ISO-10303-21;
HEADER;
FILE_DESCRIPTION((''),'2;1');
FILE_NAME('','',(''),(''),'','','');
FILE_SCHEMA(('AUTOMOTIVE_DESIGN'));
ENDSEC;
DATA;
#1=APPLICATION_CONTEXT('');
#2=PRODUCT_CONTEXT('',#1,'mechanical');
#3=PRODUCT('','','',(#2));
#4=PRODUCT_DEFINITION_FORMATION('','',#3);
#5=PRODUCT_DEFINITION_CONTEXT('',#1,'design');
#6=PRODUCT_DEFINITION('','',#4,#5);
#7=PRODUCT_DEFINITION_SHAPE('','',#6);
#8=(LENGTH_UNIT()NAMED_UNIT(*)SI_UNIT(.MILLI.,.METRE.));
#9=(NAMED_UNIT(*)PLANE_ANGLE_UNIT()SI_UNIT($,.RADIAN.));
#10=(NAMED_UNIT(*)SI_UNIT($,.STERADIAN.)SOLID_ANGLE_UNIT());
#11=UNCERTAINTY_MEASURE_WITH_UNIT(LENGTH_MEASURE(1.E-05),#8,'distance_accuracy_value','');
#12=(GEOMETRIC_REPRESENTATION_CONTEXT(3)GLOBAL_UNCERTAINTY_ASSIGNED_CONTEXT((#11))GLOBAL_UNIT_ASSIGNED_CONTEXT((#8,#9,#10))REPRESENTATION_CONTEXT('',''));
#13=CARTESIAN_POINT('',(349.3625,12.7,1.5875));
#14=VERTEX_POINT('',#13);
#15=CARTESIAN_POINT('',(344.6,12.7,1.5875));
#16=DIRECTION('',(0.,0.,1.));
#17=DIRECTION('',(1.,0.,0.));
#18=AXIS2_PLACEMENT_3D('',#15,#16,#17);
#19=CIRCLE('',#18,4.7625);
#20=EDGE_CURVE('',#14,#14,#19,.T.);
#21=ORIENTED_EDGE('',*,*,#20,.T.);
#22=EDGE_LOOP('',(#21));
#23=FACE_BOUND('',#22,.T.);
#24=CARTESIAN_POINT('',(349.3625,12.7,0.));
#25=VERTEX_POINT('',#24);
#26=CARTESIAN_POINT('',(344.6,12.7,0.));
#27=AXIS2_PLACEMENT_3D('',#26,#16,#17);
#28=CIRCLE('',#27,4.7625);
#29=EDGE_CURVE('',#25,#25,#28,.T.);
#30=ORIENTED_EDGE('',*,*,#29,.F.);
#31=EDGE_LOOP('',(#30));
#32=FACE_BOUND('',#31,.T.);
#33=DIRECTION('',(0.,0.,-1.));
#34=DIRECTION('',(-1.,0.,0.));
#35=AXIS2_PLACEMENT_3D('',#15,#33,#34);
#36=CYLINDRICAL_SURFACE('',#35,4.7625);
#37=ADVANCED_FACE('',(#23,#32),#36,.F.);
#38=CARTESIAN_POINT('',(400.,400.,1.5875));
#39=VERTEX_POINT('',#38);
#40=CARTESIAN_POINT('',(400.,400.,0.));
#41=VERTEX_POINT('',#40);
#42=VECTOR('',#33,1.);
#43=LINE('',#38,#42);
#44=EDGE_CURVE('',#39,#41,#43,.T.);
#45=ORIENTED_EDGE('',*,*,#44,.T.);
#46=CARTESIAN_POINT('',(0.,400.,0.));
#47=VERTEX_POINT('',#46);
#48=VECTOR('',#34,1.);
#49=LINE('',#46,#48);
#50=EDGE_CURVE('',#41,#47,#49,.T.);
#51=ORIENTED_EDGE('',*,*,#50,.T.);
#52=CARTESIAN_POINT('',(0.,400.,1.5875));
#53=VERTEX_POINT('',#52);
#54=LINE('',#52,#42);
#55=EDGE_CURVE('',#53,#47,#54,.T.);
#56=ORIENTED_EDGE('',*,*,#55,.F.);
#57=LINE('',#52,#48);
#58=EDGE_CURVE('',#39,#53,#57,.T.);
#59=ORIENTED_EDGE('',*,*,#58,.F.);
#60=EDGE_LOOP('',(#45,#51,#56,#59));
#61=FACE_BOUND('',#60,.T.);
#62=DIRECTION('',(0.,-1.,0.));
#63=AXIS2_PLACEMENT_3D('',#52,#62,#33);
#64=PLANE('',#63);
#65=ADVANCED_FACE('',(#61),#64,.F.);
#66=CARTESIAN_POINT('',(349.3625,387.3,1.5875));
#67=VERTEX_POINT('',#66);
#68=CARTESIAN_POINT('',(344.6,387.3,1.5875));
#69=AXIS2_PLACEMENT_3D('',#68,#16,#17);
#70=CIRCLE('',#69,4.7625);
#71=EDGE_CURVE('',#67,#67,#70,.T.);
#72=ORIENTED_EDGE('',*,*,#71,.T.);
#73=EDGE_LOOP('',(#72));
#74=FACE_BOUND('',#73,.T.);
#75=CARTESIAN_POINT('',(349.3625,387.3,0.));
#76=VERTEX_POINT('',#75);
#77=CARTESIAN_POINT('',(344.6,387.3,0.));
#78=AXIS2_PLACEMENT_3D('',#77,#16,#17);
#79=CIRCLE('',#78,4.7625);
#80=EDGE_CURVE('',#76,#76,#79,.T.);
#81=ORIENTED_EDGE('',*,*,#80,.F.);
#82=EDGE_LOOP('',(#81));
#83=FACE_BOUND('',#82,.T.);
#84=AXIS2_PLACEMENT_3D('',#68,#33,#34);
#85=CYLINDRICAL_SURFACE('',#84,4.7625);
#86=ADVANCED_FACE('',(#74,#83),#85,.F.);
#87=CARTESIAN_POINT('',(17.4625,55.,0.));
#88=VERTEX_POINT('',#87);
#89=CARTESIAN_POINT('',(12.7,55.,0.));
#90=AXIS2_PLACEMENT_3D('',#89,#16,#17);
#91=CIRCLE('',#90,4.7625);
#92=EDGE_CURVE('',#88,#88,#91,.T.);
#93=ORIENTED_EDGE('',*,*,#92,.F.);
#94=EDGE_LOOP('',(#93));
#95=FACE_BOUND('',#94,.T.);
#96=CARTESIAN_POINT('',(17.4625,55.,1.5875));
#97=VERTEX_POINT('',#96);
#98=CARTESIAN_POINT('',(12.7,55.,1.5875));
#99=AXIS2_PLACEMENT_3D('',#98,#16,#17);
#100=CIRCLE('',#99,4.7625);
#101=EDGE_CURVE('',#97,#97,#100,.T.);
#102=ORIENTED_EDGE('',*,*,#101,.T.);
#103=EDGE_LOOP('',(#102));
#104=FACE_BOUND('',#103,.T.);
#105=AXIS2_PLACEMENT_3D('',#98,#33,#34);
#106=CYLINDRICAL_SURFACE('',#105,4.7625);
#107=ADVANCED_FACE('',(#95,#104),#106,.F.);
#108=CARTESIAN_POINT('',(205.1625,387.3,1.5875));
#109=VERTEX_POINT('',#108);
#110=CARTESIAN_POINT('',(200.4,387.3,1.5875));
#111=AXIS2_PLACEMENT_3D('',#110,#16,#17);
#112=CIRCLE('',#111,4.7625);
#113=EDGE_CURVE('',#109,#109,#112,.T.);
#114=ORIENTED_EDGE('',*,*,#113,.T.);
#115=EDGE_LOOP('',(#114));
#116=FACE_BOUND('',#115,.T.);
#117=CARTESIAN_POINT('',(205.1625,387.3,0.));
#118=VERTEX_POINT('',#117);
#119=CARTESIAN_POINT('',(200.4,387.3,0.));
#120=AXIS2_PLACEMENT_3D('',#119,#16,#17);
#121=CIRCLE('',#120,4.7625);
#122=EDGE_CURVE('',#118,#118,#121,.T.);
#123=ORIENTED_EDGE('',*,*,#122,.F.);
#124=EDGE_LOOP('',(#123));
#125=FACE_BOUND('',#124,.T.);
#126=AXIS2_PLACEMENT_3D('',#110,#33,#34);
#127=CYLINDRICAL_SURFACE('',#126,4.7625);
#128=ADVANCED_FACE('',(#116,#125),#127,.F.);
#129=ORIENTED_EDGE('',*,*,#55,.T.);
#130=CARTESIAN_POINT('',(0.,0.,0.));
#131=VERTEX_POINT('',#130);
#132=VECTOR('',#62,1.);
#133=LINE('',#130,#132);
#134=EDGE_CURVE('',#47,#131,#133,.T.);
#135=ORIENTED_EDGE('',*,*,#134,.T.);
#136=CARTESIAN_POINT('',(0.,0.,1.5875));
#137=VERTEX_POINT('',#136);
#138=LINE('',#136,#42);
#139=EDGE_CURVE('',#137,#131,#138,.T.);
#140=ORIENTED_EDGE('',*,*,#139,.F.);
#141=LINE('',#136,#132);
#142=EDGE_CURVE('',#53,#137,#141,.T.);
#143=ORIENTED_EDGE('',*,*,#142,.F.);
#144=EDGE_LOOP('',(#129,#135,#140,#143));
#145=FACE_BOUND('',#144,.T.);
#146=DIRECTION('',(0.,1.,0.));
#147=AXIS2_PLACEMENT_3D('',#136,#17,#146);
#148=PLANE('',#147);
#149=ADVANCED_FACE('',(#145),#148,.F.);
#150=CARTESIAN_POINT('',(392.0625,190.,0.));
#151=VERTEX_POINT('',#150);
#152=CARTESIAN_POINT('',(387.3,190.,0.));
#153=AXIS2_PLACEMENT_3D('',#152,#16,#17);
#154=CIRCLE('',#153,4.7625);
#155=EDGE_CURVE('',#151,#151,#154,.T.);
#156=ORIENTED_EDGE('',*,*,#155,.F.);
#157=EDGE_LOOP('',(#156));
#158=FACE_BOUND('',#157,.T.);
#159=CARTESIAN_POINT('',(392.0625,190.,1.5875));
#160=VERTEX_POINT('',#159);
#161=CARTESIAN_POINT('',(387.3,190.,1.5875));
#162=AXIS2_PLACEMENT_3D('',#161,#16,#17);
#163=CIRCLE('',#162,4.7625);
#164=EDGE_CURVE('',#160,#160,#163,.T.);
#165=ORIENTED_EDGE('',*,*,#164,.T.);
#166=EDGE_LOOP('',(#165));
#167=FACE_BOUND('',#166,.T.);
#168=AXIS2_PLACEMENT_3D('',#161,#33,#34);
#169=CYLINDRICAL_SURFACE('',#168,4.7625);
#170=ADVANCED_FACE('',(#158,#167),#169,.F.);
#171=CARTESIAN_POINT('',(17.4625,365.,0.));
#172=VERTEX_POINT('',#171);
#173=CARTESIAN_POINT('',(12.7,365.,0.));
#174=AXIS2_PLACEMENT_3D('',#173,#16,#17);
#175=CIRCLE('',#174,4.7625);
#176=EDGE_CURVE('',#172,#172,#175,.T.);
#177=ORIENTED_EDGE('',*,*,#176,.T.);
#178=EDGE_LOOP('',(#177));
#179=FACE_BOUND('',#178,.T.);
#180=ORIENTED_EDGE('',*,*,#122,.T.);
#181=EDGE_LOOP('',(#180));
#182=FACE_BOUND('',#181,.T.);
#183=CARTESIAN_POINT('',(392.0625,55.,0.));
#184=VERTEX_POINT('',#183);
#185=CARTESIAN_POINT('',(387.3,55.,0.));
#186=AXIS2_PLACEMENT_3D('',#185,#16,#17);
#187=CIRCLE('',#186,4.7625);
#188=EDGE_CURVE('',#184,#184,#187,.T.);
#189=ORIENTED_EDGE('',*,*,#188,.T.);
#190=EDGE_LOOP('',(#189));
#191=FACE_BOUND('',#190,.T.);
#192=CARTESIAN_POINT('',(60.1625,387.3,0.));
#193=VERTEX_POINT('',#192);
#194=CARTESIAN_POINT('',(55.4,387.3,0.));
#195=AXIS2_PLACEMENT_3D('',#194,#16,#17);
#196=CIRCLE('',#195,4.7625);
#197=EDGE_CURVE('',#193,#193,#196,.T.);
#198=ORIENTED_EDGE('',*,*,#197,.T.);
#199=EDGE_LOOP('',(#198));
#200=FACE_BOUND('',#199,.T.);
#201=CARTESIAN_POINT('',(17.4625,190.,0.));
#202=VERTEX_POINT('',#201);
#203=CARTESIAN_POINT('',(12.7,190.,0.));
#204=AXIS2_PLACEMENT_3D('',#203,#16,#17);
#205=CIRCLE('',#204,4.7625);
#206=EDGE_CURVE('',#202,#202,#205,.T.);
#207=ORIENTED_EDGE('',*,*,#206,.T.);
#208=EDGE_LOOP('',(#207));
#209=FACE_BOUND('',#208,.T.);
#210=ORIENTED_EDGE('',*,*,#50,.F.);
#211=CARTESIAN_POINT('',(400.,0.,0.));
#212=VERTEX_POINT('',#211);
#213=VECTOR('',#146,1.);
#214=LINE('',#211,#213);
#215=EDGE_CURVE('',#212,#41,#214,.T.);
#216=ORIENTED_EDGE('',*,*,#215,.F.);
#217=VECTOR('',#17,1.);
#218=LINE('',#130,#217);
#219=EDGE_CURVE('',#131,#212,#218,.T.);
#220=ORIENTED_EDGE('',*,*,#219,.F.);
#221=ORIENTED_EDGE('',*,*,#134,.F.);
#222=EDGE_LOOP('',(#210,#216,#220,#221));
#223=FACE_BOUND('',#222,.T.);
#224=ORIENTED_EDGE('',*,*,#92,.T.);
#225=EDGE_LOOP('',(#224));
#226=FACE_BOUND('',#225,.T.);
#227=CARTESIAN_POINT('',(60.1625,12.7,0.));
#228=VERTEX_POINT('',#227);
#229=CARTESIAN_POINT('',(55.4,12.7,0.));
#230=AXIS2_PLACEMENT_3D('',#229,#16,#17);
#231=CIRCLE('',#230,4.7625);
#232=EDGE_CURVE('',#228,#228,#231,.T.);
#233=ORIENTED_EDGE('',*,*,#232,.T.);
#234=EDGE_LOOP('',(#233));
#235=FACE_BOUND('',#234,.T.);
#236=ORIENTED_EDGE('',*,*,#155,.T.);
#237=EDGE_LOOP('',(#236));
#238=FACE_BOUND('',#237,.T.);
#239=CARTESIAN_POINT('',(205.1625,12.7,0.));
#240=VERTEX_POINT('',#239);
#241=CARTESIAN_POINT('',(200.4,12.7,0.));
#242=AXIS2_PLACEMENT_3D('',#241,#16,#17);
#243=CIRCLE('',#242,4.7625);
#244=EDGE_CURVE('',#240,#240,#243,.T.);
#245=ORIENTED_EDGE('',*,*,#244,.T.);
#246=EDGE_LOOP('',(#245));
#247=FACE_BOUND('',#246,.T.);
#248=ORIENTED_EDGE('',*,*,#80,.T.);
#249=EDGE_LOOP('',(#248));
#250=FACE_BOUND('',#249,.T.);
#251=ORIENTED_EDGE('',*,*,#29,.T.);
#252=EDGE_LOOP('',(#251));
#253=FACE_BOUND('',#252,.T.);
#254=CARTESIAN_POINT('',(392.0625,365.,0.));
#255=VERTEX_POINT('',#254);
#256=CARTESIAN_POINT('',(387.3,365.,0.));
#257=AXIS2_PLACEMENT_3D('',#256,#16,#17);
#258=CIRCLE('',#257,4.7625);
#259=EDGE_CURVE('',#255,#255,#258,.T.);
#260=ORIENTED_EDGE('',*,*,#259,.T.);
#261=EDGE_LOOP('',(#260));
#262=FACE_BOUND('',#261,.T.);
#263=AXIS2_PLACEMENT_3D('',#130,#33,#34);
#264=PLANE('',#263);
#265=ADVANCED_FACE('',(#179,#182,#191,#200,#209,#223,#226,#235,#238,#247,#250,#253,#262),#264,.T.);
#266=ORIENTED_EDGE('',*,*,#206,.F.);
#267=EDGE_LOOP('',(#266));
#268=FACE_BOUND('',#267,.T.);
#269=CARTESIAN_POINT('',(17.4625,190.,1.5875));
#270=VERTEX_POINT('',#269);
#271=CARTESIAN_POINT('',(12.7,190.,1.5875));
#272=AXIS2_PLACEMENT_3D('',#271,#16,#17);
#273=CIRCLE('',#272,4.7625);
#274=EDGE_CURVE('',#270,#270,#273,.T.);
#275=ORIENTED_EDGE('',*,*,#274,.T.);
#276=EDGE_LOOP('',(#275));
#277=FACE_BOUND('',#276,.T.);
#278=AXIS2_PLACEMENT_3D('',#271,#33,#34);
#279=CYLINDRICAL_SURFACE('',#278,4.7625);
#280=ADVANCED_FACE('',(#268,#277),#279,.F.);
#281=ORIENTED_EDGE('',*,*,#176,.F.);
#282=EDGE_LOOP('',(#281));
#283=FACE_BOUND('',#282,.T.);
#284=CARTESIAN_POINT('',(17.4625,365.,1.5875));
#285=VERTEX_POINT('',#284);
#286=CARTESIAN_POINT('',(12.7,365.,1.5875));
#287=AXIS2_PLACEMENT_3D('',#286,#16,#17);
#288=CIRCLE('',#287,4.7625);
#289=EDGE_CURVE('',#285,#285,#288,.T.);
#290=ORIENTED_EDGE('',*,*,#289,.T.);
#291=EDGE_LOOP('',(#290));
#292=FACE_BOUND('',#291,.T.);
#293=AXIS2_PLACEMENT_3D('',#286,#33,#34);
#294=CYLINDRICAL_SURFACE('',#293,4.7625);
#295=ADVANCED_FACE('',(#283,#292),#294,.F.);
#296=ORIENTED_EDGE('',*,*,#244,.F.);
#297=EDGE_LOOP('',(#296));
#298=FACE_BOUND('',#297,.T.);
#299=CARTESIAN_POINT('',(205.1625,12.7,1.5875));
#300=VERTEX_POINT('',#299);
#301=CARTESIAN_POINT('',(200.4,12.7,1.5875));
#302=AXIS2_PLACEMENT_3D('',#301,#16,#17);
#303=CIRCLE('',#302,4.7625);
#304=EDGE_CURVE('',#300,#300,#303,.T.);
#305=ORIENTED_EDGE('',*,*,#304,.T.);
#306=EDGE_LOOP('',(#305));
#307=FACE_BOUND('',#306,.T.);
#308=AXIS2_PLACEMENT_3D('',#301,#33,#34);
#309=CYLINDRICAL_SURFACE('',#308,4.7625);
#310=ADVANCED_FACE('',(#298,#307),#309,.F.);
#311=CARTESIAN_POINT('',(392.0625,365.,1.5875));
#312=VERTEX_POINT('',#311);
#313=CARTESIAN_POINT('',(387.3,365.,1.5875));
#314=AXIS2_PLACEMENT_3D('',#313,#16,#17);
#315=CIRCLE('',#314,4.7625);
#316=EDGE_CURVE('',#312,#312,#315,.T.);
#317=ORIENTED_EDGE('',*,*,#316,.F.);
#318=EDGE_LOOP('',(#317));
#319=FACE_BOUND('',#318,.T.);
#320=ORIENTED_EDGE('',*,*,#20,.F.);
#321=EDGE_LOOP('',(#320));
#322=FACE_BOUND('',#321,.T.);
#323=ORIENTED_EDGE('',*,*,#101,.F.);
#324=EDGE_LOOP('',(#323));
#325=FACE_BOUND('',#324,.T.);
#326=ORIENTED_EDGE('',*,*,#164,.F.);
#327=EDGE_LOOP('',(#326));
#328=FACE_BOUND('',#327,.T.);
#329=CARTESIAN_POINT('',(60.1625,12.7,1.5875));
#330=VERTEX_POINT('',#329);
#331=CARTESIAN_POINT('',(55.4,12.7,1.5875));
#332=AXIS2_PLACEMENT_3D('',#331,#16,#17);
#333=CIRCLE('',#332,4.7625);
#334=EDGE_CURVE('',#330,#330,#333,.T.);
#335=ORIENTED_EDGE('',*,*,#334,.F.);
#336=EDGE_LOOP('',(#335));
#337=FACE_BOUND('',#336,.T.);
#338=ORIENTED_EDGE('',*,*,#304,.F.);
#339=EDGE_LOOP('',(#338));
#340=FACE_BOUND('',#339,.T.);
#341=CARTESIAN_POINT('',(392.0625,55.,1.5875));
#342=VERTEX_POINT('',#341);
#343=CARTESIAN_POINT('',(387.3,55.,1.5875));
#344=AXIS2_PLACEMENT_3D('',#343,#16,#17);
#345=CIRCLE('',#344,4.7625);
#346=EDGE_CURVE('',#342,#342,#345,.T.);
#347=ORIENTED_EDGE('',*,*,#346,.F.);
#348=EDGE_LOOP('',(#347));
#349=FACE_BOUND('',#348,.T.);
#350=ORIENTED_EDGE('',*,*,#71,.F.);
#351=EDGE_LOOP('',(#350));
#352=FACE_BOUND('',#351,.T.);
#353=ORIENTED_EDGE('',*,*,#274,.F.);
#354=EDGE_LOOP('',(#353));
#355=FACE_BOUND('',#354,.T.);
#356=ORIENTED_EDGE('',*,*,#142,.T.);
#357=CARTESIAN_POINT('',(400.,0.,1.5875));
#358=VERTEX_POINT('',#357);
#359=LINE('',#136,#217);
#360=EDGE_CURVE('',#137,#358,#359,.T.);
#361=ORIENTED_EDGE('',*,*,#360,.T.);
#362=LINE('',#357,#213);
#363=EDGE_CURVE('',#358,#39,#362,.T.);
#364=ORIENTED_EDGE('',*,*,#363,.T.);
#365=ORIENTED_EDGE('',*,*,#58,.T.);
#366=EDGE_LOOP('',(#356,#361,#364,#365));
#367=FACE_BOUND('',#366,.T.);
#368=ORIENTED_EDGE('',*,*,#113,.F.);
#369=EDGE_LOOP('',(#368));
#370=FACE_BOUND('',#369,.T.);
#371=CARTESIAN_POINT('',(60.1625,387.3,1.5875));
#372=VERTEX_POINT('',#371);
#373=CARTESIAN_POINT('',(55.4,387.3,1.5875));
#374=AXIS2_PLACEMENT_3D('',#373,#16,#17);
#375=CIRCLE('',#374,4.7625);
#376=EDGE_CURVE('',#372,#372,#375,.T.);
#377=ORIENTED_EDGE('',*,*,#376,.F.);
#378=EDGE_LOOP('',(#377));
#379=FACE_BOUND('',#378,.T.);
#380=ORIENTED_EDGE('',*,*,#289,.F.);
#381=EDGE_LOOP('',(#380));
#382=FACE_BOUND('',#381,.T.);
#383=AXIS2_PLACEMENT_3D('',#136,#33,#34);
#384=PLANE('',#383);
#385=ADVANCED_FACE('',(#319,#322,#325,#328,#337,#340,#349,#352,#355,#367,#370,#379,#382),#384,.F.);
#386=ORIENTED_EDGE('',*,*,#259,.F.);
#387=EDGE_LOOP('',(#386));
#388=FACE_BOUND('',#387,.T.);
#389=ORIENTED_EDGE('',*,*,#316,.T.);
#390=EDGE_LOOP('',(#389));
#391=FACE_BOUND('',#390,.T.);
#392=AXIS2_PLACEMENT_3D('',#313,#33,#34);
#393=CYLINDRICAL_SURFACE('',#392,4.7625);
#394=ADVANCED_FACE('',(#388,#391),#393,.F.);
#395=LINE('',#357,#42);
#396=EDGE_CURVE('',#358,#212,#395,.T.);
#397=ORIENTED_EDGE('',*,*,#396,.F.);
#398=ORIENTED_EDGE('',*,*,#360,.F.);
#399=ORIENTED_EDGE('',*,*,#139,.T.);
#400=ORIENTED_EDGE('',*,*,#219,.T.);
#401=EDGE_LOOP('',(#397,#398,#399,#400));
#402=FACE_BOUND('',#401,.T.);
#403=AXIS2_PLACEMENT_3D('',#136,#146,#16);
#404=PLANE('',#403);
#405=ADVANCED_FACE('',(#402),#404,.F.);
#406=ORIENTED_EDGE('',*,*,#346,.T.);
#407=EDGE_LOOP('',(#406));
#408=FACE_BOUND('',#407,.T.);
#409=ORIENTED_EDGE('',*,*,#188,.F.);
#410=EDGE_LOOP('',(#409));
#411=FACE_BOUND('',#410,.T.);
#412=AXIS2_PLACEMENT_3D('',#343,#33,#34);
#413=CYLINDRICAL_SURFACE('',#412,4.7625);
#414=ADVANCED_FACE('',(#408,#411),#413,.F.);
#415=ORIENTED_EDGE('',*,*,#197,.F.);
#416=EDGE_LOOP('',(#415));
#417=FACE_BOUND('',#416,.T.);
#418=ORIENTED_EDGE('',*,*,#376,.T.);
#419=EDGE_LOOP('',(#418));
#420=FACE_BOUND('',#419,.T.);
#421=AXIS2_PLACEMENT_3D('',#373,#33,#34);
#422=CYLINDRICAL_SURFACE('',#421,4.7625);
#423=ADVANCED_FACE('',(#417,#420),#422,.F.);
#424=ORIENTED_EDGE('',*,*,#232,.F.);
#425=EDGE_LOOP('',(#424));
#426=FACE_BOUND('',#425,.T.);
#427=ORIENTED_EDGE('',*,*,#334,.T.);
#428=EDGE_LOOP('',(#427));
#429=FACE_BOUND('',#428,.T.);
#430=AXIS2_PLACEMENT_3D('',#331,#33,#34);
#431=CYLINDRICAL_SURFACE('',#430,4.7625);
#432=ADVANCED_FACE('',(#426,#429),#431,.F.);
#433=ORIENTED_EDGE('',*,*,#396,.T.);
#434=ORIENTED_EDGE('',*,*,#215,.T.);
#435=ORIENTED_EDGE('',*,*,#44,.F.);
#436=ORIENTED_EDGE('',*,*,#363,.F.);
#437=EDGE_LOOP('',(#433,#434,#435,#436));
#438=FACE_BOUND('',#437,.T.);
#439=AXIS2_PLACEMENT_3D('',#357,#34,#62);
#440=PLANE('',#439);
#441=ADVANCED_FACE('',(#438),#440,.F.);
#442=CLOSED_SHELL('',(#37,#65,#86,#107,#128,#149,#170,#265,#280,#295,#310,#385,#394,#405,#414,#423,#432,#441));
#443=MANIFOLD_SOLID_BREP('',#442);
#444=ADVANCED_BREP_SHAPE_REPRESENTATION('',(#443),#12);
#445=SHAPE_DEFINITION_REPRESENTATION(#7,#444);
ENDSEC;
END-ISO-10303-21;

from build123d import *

# Parameters (mm, degrees)
CROQUIS1_W              = 400
CROQUIS1_H              = 400
CROQUIS1_R              = 4.7625
SALIENTE_EXTRUIR1_DEPTH = 1.5875


with BuildPart() as part:
    # Croquis1 → Saliente-Extruir1 (new body)
    with BuildSketch(Plane.XY):
        with Locations((200, 200)):
            Rectangle(CROQUIS1_W, CROQUIS1_H)
        with Locations((55.4, 387.3)):
            Circle(CROQUIS1_R, mode=Mode.SUBTRACT)
        with Locations((200.4, 387.3)):
            Circle(CROQUIS1_R, mode=Mode.SUBTRACT)
        with Locations((344.6, 387.3)):
            Circle(CROQUIS1_R, mode=Mode.SUBTRACT)
        with Locations((12.7, 365)):
            Circle(CROQUIS1_R, mode=Mode.SUBTRACT)
        with Locations((12.7, 190)):
            Circle(CROQUIS1_R, mode=Mode.SUBTRACT)
        with Locations((12.7, 55)):
            Circle(CROQUIS1_R, mode=Mode.SUBTRACT)
        with Locations((387.3, 365)):
            Circle(CROQUIS1_R, mode=Mode.SUBTRACT)
        with Locations((387.3, 190)):
            Circle(CROQUIS1_R, mode=Mode.SUBTRACT)
        with Locations((387.3, 55)):
            Circle(CROQUIS1_R, mode=Mode.SUBTRACT)
        with Locations((344.6, 12.7)):
            Circle(CROQUIS1_R, mode=Mode.SUBTRACT)
        with Locations((200.4, 12.7)):
            Circle(CROQUIS1_R, mode=Mode.SUBTRACT)
        with Locations((55.4, 12.7)):
            Circle(CROQUIS1_R, mode=Mode.SUBTRACT)
    extrude(amount=SALIENTE_EXTRUIR1_DEPTH)


solid = part.part
